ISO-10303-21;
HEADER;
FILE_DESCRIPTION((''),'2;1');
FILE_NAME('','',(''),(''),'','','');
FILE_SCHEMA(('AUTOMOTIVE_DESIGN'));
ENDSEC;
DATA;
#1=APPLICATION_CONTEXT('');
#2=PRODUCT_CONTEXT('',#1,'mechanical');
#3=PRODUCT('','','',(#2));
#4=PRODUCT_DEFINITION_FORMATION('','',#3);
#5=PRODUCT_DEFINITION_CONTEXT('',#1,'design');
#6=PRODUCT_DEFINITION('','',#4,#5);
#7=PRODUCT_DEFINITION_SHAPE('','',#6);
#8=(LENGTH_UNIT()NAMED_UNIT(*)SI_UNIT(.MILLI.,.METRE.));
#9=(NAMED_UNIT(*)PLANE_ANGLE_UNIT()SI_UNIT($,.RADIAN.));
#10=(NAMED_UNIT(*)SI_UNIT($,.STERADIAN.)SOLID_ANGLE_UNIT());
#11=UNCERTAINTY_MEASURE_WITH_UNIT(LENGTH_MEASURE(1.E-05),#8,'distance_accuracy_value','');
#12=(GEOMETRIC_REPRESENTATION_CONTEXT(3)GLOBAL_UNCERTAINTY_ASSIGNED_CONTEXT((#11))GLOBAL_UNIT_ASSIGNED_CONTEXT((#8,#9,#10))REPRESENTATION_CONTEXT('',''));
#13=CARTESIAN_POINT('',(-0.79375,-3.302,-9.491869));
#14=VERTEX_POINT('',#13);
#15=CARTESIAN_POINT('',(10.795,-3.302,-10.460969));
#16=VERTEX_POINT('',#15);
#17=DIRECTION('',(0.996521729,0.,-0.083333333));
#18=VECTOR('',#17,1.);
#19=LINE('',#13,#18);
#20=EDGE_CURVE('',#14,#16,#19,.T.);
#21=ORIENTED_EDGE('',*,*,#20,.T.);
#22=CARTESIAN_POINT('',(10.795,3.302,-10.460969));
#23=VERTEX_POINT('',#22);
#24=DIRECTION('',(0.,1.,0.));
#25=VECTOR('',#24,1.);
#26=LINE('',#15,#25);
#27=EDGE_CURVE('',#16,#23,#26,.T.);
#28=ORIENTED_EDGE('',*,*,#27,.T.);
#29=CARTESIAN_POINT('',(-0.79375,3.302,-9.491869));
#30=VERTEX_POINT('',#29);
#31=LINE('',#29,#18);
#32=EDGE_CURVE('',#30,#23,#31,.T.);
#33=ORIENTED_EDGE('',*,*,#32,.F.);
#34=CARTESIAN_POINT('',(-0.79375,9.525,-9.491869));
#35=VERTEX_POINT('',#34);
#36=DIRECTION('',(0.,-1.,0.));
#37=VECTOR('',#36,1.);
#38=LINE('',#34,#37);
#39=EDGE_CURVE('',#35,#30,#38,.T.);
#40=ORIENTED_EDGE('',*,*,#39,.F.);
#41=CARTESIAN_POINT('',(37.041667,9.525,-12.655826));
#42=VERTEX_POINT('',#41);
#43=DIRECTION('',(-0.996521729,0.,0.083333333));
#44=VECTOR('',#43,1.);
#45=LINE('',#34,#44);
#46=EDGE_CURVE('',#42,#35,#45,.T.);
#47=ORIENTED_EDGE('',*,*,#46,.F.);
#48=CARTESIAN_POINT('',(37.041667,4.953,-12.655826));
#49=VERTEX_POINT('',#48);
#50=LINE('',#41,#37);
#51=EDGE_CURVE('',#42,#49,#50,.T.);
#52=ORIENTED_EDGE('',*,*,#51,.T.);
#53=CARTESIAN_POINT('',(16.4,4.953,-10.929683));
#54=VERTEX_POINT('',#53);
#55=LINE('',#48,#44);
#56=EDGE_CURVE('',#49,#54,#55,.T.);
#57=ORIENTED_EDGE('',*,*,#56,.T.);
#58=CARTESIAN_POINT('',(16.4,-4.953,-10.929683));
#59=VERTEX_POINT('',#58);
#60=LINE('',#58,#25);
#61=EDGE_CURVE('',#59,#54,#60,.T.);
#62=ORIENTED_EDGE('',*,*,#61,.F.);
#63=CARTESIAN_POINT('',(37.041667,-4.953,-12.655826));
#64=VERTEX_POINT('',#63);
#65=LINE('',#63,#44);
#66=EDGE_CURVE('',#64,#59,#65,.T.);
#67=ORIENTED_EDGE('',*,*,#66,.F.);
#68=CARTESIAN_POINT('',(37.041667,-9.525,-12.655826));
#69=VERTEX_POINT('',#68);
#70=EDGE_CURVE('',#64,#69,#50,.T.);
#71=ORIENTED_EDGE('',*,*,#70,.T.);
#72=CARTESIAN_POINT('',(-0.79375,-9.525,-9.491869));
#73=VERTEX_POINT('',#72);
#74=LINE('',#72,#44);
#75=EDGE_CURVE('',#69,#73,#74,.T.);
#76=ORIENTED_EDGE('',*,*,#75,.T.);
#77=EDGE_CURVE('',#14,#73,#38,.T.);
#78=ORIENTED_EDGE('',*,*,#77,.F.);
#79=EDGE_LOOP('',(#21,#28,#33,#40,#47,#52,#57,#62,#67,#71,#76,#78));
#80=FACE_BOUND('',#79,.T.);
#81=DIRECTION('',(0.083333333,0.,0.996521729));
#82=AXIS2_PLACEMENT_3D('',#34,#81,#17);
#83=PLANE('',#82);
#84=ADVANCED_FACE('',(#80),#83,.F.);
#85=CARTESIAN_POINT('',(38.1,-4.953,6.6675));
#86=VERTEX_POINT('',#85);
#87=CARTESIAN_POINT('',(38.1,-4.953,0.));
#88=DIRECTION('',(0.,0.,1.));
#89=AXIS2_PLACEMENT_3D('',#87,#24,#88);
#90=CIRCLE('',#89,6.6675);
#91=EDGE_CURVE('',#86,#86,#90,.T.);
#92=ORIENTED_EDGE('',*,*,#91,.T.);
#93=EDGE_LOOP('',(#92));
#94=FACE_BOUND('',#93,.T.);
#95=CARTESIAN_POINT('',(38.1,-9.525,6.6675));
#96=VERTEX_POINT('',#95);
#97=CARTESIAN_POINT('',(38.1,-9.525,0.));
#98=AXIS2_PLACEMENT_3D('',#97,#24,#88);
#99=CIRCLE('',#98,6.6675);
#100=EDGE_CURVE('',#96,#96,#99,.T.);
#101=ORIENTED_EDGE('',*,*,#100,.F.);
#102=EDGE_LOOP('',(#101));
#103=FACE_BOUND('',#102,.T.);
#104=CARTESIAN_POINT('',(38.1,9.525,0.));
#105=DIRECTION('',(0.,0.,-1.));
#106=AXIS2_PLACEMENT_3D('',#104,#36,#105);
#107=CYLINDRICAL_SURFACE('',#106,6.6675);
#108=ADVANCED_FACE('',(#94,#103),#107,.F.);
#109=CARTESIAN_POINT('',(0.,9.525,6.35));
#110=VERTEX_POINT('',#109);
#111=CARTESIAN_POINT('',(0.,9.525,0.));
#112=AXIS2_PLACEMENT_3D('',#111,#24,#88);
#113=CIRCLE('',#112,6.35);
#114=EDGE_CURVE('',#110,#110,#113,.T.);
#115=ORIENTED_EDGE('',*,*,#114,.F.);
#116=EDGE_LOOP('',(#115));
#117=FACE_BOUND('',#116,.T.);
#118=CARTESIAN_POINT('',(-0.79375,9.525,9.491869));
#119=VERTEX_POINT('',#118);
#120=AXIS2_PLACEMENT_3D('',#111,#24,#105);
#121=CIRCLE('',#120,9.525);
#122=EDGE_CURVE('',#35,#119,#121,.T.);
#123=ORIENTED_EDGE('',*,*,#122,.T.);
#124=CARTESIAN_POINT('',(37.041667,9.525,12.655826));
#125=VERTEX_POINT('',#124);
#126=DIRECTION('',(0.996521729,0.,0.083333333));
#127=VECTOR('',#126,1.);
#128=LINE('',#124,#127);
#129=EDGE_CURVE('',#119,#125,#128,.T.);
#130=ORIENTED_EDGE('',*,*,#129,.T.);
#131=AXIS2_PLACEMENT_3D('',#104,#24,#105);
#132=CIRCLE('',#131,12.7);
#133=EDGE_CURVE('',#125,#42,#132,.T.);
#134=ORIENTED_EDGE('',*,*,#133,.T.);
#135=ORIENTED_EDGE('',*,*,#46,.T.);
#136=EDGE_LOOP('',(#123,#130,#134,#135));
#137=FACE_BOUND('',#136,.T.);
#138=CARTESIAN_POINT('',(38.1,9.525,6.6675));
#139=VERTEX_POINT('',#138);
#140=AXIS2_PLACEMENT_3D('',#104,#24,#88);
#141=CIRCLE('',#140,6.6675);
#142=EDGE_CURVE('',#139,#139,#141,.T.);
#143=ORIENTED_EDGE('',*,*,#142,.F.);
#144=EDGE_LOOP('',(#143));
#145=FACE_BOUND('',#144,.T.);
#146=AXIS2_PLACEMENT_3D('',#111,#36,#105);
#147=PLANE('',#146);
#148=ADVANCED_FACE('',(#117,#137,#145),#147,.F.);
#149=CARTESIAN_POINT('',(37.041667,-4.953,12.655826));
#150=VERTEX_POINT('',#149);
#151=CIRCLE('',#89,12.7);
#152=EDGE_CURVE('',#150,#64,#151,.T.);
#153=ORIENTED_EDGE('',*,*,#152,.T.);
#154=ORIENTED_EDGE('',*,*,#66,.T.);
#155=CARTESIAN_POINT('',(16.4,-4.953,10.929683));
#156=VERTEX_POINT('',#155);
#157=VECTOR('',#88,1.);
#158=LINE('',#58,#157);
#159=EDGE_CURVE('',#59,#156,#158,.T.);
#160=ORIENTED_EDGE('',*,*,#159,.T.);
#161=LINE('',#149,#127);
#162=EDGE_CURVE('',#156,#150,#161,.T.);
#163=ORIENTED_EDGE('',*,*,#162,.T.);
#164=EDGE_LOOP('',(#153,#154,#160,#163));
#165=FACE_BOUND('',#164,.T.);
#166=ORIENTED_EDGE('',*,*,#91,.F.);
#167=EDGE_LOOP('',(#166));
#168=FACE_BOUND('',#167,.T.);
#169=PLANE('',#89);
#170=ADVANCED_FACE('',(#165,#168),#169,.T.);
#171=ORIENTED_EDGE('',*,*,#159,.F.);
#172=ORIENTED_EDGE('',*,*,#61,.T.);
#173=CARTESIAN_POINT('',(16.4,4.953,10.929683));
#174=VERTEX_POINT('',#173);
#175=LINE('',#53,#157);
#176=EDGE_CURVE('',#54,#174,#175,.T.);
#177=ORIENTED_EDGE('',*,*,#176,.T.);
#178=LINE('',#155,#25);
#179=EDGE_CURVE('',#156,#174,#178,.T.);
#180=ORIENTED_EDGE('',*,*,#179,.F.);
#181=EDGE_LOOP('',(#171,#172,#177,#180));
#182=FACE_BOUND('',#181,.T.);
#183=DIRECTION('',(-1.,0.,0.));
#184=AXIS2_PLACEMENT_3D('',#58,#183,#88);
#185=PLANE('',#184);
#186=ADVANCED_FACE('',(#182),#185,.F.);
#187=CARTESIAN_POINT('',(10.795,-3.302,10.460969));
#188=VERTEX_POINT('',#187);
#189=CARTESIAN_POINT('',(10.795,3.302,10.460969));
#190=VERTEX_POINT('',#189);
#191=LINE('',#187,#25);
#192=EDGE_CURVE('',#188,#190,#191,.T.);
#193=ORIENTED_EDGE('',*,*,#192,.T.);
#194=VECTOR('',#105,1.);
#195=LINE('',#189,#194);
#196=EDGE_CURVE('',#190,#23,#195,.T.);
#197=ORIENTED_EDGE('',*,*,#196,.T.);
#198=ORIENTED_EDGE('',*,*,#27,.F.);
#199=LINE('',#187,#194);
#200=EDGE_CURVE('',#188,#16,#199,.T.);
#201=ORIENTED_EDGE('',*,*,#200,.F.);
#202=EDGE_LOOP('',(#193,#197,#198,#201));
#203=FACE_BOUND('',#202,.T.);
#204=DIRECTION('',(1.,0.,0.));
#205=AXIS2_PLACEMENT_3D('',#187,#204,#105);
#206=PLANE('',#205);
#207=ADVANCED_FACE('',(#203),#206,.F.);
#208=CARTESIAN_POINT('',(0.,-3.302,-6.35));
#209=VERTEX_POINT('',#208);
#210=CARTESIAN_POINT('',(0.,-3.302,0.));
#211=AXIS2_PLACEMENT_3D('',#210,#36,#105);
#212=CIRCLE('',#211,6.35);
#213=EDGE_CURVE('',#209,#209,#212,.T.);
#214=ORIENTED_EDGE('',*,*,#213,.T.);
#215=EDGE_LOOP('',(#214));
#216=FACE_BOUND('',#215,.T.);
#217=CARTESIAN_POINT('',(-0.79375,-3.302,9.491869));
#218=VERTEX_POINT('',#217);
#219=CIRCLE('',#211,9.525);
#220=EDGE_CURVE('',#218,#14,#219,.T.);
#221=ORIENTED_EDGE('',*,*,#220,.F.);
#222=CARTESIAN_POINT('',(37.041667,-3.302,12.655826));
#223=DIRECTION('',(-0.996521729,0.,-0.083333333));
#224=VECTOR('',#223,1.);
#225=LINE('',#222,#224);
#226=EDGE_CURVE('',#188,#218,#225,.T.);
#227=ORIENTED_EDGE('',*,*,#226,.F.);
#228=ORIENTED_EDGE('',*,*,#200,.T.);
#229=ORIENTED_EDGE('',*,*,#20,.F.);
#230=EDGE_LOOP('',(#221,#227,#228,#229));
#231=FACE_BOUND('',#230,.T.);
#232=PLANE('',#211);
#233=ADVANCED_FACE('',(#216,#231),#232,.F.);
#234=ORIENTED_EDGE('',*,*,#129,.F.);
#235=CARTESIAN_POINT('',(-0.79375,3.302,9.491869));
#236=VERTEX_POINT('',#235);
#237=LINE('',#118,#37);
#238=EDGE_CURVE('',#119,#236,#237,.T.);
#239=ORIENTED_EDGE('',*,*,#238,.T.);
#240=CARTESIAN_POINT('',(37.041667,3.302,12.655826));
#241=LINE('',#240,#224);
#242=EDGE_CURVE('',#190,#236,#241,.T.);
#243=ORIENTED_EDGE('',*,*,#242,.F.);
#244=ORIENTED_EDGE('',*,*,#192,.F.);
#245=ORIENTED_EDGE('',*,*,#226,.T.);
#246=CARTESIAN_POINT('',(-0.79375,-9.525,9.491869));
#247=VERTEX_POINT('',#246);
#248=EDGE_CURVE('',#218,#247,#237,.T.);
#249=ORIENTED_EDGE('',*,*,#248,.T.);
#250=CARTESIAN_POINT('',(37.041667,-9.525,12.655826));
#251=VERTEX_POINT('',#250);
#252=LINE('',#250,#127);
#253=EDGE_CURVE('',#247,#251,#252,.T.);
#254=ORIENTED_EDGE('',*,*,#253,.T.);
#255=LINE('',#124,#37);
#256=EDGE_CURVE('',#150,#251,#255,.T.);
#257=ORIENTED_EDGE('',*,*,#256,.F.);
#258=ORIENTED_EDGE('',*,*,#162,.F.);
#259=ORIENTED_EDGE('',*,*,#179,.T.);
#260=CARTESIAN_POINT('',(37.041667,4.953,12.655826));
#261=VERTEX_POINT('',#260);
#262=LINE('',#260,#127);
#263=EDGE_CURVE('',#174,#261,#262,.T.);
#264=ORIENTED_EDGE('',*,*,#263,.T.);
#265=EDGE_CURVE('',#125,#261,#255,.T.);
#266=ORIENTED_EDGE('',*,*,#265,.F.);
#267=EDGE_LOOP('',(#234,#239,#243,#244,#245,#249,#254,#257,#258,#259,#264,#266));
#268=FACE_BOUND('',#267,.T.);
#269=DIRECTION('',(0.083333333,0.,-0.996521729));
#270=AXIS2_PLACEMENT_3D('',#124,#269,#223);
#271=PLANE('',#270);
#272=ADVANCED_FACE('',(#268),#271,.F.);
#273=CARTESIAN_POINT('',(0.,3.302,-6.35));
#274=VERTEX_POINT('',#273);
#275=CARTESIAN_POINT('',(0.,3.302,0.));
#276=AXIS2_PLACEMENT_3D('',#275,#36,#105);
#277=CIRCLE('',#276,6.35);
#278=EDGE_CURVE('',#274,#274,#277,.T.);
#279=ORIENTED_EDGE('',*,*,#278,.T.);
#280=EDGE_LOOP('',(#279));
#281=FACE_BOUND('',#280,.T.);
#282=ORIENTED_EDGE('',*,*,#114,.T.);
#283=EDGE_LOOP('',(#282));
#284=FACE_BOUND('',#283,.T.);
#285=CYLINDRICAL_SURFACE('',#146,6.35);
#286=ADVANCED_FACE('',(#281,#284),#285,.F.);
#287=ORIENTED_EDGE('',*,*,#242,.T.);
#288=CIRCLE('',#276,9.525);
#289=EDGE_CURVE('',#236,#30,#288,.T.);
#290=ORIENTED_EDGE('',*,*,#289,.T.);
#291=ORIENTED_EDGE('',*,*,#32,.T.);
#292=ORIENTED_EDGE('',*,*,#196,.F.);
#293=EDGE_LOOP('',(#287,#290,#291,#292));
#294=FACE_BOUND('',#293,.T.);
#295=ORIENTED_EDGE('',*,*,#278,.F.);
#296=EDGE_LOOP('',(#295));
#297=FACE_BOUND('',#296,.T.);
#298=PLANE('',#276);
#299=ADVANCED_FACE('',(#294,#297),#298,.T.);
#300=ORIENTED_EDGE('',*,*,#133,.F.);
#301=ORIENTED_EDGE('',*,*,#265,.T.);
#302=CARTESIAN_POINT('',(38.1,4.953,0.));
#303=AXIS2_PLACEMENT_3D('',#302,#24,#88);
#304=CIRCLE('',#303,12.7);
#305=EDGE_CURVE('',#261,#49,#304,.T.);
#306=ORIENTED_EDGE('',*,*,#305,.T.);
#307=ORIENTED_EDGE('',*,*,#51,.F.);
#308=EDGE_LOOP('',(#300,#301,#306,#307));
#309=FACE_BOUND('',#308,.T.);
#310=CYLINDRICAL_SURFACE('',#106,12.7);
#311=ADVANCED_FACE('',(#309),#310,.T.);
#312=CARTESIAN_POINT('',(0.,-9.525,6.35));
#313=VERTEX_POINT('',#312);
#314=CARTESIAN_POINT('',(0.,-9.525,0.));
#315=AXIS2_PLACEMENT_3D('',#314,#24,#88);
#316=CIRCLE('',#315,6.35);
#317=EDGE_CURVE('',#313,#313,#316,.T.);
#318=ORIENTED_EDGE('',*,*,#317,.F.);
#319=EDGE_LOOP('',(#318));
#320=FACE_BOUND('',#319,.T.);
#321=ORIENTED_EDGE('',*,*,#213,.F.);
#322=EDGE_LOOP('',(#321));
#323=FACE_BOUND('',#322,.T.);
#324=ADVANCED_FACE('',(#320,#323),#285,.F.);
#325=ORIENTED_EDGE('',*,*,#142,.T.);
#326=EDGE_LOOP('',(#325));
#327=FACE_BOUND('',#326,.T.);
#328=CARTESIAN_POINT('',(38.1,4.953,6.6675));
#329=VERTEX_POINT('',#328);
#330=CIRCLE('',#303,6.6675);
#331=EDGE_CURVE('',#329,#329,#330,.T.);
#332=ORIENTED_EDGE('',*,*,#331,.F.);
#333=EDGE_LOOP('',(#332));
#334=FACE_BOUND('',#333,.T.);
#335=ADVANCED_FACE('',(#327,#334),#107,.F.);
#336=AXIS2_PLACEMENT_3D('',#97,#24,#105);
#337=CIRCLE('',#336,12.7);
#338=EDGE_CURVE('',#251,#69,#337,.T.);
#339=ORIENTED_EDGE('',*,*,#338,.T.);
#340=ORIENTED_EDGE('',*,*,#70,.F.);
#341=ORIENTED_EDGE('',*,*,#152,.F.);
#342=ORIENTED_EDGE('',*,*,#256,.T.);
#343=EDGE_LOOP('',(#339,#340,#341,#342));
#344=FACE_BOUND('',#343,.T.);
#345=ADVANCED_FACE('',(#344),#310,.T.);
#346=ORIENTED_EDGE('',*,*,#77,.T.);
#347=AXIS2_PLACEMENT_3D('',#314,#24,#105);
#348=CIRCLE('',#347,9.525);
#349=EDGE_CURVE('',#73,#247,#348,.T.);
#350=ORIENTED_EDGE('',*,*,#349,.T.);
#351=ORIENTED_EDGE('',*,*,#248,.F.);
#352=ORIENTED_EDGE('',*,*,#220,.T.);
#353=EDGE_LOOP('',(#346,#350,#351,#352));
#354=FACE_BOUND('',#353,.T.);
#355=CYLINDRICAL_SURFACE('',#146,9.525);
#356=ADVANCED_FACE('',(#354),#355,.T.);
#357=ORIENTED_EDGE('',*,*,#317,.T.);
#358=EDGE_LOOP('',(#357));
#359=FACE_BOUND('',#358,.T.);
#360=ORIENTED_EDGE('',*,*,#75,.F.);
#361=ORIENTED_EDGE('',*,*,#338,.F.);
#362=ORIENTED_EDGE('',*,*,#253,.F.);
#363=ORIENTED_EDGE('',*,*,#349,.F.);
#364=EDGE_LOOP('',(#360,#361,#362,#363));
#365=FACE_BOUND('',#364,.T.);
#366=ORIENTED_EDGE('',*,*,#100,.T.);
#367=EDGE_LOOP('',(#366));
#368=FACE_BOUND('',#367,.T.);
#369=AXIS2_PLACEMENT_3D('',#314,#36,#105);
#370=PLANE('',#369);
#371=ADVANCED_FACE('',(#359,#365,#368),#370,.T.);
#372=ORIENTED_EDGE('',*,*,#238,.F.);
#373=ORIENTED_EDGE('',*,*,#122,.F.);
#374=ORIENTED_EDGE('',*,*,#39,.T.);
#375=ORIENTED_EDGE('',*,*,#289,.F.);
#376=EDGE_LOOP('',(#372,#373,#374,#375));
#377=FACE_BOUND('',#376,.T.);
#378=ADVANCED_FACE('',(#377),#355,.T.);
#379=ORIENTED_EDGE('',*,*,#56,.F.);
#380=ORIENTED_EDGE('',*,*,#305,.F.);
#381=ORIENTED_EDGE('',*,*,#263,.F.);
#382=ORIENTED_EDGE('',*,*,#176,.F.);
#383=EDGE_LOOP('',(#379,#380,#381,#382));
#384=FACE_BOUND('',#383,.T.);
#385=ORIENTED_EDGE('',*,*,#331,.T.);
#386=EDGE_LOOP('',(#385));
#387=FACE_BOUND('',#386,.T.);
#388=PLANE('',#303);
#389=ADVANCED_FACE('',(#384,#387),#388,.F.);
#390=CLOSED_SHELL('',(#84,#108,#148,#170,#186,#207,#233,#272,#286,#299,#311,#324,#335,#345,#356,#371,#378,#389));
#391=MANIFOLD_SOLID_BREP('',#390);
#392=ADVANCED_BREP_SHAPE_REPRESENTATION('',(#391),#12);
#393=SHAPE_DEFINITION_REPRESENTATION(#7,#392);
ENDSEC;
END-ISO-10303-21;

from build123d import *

# Parameters (mm, degrees)
SKETCH1_R           = 6.35
SKETCH1_R_2         = 6.6675
BOSS_EXTRUDE1_DEPTH = 9.525
SKETCH2_W           = 21.59
SKETCH2_H           = 20.921938848
CUT_EXTRUDE1_DEPTH  = 3.302
CUT_EXTRUDE2_DEPTH  = 4.953


with BuildPart() as part:
    # Sketch1 → Boss-Extrude1 (new, symmetric)
    with BuildSketch(Plane(origin=(0, 0, 0), x_dir=(1, 0, 0), z_dir=(0, 1, 0))):
        with BuildLine():
            Line((-0.79375, 9.491869465), (37.041666667, 12.655825953))
            ThreePointArc((37.041666667, 12.655825953), (50.8, 0), (37.041666667, -12.655825953))
            Line((37.041666667, -12.655825953), (-0.79375, -9.491869465))
            ThreePointArc((-0.79375, -9.491869465), (-9.525, 0), (-0.79375, 9.491869465))
        make_face()
        Circle(SKETCH1_R, mode=Mode.SUBTRACT)
        with Locations((38.1, 0)):
            Circle(SKETCH1_R_2, mode=Mode.SUBTRACT)
    extrude(amount=BOSS_EXTRUDE1_DEPTH, both=True)

    # Sketch2 → Cut-Extrude1 (cut, symmetric)
    with BuildSketch(Plane(origin=(0, 0, 0), x_dir=(1, 0, 0), z_dir=(0, 1, 0))):
        Rectangle(SKETCH2_W, SKETCH2_H)
    extrude(amount=CUT_EXTRUDE1_DEPTH, both=True, mode=Mode.SUBTRACT)

    # Sketch3 → Cut-Extrude2 (cut, symmetric)
    with BuildSketch(Plane(origin=(0, 0, 0), x_dir=(1, 0, 0), z_dir=(0, 1, 0))):
        with BuildLine():
            Line((37.041666667, 12.655825953), (16.4, 10.929683071))
            Line((16.4, 10.929683071), (16.4, -10.929683071))
            Line((16.4, -10.929683071), (37.041666667, -12.655825953))
            ThreePointArc((37.041666667, -12.655825953), (50.8, 0), (37.041666667, 12.655825953))
        make_face()
    extrude(amount=CUT_EXTRUDE2_DEPTH, both=True, mode=Mode.SUBTRACT)


solid = part.part
